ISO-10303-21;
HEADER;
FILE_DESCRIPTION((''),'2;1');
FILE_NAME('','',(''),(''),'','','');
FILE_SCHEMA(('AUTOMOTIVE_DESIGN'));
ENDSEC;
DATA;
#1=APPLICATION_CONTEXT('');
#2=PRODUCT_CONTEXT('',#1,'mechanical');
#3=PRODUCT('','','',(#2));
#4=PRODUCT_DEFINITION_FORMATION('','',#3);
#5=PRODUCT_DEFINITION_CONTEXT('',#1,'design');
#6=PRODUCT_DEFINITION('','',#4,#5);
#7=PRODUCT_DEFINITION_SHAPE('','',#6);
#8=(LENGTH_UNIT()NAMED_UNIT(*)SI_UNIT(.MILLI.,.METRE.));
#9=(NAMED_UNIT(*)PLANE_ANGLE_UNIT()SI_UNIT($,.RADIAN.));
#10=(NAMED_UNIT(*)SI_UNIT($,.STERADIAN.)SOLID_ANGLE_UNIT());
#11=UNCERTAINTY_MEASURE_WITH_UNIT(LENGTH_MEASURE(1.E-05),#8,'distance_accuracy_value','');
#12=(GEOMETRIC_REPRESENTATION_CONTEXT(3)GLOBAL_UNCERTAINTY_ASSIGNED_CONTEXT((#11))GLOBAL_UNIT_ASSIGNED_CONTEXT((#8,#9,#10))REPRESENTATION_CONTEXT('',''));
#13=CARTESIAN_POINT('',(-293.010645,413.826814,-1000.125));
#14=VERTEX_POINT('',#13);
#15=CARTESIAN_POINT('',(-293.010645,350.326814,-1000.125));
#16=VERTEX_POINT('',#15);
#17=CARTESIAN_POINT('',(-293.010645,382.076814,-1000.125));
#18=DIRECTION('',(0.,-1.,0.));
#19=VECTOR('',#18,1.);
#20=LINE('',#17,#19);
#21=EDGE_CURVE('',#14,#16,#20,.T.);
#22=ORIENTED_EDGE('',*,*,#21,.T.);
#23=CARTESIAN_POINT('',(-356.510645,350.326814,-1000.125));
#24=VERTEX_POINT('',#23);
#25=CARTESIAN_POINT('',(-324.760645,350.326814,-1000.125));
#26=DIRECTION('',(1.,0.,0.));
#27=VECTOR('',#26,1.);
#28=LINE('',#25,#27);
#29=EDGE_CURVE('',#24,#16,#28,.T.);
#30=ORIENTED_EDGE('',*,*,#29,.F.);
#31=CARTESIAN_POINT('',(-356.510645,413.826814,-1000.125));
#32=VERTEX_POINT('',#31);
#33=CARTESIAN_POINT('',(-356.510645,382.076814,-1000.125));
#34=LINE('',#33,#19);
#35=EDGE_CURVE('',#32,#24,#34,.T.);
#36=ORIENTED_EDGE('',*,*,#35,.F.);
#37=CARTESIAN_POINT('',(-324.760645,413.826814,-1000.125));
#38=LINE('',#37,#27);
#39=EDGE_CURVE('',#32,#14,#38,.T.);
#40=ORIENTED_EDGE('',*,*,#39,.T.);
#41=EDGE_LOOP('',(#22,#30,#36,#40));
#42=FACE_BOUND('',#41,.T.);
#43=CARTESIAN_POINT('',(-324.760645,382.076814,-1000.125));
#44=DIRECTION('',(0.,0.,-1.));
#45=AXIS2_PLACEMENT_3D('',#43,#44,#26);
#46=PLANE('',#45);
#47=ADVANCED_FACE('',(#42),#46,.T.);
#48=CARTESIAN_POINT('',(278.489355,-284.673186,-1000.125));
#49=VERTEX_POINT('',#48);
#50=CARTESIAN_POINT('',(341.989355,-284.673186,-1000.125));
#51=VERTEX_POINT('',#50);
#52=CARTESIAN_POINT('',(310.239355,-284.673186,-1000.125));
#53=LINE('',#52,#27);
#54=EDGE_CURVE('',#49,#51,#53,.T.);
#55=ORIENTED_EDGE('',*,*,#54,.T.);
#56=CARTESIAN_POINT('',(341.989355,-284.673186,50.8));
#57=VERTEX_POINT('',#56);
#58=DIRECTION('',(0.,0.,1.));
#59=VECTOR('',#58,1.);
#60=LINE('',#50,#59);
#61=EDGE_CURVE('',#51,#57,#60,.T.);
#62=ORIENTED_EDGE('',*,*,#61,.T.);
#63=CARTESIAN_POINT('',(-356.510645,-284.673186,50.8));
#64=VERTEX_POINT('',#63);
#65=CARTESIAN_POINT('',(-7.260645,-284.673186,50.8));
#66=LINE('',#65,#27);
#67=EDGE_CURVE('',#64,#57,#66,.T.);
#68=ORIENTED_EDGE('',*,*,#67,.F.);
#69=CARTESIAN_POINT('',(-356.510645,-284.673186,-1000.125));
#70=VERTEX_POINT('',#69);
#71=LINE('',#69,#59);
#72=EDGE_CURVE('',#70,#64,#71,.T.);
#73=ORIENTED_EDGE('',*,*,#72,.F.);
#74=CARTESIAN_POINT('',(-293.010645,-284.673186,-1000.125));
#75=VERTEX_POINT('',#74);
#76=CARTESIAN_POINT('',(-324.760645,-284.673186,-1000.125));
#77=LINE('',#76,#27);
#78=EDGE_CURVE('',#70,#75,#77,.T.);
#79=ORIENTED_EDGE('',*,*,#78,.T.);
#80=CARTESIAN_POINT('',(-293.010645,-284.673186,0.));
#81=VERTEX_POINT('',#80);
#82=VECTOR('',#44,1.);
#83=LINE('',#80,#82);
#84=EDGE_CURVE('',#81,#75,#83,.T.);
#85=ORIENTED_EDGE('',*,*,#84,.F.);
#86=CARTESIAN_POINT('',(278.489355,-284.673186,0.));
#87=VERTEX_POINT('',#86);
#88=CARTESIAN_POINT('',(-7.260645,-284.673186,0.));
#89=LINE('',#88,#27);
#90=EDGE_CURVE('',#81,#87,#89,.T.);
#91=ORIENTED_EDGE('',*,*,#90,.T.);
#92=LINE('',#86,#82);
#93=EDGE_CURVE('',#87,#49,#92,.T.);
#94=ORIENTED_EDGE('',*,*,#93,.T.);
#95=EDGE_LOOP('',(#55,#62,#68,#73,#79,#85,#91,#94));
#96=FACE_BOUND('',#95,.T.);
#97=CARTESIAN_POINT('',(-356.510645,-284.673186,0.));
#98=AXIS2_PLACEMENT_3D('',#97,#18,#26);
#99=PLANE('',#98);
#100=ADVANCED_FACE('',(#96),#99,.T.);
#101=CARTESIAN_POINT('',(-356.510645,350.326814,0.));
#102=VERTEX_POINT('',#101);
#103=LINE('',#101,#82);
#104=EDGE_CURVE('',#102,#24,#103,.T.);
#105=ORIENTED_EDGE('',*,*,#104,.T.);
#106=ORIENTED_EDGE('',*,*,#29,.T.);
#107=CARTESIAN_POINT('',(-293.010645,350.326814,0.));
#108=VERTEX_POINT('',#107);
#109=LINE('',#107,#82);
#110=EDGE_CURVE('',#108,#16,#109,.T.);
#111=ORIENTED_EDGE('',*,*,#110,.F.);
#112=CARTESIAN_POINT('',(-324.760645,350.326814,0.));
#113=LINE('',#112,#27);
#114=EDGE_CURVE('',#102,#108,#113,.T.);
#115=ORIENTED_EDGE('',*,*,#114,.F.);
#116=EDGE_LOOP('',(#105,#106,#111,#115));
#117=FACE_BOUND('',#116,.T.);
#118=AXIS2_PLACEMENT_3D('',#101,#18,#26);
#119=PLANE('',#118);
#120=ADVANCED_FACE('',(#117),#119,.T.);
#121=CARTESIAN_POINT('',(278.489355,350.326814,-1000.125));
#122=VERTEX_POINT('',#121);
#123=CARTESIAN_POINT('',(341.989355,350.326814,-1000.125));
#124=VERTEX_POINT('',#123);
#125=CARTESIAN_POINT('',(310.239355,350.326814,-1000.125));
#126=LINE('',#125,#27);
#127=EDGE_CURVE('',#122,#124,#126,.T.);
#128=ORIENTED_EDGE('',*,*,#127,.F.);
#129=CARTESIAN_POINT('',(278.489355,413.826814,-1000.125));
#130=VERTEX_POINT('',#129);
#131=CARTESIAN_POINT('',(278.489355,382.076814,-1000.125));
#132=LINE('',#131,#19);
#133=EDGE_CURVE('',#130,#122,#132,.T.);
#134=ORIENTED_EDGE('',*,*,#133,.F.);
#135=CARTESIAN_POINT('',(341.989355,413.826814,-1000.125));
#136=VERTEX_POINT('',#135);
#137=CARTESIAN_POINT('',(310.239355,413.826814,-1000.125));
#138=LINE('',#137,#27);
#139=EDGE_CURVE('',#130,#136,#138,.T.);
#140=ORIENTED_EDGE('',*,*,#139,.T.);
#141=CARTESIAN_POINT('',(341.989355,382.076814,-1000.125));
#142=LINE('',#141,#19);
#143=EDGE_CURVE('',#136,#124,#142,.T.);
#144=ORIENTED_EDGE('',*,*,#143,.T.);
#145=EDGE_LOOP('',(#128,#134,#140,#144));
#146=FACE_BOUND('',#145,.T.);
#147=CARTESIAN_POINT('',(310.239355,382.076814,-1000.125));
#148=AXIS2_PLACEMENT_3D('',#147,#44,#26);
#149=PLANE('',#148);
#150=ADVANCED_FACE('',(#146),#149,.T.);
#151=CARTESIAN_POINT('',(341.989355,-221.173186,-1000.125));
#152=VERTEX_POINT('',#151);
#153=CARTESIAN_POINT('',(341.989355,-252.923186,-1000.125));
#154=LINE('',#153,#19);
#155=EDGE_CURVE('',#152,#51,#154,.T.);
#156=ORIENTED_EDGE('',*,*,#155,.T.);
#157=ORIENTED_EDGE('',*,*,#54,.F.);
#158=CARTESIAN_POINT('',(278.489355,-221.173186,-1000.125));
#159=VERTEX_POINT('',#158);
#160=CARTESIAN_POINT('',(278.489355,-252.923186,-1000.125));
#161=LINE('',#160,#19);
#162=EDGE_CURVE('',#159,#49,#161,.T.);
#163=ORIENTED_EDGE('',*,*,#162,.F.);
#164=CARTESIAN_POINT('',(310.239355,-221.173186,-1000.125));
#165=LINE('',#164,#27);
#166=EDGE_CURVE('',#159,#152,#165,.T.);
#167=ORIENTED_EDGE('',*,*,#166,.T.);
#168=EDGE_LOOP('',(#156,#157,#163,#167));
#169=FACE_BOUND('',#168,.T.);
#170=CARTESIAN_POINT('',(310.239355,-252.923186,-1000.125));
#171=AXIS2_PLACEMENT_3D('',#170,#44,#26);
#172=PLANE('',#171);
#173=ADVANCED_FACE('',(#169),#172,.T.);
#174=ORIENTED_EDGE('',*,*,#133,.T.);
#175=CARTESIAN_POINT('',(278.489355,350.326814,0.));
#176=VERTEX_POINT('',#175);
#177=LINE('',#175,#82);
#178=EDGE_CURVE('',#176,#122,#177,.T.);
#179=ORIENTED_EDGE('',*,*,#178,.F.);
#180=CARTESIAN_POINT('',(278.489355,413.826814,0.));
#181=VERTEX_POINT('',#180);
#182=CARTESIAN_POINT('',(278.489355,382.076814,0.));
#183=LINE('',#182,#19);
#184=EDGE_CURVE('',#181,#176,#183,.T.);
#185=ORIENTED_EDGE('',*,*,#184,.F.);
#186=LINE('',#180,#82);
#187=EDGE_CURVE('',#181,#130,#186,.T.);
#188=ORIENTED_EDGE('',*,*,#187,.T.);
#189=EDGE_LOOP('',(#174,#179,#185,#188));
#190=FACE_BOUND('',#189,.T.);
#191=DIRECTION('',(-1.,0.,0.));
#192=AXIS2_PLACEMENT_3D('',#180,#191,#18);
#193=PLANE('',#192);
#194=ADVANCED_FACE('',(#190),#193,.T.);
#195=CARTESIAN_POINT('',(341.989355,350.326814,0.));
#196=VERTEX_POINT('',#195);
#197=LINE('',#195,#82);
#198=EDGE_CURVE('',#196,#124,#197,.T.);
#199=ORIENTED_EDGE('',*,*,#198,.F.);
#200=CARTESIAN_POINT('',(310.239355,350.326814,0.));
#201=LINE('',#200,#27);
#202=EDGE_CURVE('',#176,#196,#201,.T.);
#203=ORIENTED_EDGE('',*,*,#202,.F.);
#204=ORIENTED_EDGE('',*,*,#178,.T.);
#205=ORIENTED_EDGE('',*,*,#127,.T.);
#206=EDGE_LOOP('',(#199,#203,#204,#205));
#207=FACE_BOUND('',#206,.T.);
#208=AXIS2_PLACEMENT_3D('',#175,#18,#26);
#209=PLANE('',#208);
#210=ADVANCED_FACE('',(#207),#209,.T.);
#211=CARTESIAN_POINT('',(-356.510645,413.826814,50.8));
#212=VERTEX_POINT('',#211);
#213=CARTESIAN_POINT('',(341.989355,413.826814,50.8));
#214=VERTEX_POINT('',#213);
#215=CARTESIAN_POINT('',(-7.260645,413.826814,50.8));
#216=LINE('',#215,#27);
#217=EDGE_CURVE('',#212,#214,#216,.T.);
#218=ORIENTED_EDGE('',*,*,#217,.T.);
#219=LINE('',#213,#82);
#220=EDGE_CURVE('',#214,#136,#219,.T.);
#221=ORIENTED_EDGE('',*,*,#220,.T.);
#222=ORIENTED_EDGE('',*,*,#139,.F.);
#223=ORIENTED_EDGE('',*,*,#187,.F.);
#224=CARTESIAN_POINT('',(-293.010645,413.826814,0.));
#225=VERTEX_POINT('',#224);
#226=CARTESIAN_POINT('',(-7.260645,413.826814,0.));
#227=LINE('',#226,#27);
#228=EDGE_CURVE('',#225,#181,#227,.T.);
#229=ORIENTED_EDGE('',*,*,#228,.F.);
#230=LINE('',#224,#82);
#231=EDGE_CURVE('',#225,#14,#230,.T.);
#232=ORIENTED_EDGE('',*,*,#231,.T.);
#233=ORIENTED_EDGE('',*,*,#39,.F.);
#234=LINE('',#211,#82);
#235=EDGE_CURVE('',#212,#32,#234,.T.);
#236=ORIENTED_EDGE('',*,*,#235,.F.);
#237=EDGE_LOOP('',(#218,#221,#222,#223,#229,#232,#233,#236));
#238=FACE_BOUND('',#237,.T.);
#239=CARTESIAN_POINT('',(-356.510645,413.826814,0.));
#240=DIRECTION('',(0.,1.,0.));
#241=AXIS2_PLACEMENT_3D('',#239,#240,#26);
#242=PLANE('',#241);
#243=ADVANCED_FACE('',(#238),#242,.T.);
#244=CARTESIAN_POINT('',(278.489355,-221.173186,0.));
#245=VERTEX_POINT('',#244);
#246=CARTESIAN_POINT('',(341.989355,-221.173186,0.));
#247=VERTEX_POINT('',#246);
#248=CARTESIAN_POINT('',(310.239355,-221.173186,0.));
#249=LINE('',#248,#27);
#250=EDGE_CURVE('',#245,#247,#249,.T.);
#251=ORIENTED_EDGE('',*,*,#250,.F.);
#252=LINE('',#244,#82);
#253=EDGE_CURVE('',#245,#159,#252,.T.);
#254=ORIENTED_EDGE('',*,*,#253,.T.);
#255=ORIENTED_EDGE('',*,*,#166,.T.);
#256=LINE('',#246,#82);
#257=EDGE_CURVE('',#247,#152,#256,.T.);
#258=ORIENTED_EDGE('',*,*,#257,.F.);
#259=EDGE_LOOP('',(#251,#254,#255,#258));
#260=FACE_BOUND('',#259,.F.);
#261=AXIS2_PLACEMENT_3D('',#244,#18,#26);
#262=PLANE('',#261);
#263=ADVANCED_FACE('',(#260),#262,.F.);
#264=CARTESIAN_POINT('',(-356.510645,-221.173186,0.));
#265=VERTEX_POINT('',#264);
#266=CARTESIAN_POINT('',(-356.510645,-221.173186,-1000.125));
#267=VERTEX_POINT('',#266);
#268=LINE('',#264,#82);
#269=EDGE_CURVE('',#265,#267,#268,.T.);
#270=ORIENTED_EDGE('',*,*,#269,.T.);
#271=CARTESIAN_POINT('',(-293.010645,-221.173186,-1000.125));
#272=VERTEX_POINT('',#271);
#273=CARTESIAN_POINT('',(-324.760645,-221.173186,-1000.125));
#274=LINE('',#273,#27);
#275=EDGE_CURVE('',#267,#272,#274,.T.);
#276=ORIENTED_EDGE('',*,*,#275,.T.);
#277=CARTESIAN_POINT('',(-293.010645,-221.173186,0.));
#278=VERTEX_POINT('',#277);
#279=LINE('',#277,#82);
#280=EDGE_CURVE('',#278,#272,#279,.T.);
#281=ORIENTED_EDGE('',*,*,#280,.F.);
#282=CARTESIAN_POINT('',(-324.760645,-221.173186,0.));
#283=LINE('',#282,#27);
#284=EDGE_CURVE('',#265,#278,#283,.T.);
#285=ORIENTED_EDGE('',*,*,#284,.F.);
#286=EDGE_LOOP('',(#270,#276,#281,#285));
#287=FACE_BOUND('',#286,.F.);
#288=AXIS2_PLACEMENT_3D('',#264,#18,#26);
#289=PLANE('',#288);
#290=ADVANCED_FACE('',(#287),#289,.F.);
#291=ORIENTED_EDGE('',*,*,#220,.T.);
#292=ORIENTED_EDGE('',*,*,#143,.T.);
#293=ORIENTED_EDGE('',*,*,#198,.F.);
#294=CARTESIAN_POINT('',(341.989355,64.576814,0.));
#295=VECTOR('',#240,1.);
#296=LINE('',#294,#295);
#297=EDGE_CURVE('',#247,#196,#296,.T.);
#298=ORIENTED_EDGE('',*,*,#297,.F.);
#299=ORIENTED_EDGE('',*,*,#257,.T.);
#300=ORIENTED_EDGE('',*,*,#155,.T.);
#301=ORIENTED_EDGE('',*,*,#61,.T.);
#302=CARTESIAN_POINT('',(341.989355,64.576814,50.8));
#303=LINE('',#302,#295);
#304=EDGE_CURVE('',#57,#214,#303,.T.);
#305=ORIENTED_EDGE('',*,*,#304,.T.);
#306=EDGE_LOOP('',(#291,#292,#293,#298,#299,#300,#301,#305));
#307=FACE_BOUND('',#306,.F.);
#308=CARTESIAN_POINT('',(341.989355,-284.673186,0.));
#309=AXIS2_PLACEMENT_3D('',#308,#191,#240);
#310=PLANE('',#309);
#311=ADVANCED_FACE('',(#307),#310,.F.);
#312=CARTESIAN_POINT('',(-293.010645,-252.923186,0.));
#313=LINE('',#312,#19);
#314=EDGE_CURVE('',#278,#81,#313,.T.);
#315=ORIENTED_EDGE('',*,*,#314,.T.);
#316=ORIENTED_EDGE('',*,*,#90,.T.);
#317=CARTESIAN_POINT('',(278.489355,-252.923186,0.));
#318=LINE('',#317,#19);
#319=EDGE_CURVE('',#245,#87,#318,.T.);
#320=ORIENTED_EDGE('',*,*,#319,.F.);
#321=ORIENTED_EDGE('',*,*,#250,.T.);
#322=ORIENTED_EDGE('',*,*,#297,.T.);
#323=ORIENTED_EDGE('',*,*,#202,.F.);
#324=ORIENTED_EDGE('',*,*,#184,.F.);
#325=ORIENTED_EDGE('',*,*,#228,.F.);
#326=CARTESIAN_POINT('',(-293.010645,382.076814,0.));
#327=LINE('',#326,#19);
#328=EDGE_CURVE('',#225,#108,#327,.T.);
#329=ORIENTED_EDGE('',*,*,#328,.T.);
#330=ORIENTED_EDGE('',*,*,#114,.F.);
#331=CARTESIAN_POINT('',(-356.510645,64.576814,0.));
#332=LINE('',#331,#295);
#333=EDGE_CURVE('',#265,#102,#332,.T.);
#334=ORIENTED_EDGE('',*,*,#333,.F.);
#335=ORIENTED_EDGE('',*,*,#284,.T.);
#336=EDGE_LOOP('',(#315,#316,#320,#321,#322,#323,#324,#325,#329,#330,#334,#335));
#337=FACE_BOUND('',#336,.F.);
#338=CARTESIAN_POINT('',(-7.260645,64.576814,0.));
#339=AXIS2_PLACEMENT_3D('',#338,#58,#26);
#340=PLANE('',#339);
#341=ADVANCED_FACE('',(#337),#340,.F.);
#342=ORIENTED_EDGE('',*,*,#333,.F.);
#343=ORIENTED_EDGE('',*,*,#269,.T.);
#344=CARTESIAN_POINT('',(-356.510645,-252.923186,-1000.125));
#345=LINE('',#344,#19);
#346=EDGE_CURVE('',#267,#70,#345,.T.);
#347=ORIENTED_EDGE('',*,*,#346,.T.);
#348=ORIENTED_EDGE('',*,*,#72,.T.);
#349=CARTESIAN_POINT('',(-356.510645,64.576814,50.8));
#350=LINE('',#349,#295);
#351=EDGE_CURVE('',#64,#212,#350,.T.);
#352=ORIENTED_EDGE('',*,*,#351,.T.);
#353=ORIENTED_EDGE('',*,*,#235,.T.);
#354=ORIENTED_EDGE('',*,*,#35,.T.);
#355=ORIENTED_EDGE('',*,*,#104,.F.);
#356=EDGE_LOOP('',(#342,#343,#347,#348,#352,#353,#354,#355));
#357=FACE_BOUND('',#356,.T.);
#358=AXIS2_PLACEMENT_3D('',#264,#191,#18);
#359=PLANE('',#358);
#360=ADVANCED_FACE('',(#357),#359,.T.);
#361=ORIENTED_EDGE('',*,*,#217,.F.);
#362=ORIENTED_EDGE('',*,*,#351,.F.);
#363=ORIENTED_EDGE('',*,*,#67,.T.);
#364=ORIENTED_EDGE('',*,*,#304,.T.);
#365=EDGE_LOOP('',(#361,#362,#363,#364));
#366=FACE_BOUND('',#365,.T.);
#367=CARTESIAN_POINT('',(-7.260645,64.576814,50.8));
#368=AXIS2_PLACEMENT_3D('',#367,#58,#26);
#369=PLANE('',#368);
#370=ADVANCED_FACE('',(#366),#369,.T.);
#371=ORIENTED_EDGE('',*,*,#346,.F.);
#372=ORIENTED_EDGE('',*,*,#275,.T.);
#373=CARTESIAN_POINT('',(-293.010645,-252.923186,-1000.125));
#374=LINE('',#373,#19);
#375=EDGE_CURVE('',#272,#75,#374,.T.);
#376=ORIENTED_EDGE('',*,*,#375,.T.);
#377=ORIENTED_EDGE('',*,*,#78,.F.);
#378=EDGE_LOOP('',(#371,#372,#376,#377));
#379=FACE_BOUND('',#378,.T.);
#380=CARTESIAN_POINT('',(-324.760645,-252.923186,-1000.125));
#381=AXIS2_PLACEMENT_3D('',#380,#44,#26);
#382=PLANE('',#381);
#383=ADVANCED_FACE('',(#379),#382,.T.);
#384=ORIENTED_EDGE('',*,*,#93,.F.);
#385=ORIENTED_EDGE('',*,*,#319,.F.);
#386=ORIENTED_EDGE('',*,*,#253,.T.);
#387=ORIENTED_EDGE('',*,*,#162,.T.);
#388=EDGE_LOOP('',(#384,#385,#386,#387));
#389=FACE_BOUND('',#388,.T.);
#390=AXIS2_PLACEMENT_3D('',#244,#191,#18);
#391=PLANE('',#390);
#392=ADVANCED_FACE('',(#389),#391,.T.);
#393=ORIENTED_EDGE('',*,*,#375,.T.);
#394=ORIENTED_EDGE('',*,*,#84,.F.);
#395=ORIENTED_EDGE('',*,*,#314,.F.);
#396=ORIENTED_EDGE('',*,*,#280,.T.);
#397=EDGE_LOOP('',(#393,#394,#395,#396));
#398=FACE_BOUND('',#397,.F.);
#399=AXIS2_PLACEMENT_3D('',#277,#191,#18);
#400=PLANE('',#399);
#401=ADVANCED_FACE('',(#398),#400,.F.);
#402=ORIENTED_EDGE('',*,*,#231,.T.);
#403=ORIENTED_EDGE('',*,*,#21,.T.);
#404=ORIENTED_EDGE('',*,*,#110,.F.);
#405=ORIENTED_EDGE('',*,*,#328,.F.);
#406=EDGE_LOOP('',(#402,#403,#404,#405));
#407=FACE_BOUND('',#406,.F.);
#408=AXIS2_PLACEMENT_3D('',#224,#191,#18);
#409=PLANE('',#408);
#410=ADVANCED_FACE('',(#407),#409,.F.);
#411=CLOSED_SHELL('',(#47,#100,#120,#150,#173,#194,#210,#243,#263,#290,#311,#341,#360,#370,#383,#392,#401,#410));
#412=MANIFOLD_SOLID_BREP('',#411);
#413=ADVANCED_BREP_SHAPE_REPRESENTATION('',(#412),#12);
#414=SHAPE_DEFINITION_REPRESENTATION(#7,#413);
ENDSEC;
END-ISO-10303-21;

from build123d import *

# Parameters (mm, degrees)
F0_W     = 698.5
F0_H     = 698.5
F1_DEPTH = 50.8
F2_W     = 63.5
F2_H     = 63.5
F3_DEPTH = 1000.125


with BuildPart() as f1:
    # F0 (on Top) → F1 (new body)
    with BuildSketch(Plane.XY):
        with Locations((-7.260645, 64.576814)):
            Rectangle(F0_W, F0_H)
    extrude(amount=F1_DEPTH)

    # F2 (on face) → F3 (join)
    with BuildSketch(Plane(origin=(0, 0, 0), x_dir=(1, 0, 0), z_dir=(0, 0, -1))):
        with Locations((-324.760645, 252.923186)):
            Rectangle(F2_W, F2_H)
        with Locations((310.239355, 252.923186)):
            Rectangle(F2_W, F2_H)
        with Locations((-324.760645, -382.076814)):
            Rectangle(F2_W, F2_H)
        with Locations((310.239355, -382.076814)):
            Rectangle(F2_W, F2_H)
    extrude(amount=F3_DEPTH)


solid = f1.part
